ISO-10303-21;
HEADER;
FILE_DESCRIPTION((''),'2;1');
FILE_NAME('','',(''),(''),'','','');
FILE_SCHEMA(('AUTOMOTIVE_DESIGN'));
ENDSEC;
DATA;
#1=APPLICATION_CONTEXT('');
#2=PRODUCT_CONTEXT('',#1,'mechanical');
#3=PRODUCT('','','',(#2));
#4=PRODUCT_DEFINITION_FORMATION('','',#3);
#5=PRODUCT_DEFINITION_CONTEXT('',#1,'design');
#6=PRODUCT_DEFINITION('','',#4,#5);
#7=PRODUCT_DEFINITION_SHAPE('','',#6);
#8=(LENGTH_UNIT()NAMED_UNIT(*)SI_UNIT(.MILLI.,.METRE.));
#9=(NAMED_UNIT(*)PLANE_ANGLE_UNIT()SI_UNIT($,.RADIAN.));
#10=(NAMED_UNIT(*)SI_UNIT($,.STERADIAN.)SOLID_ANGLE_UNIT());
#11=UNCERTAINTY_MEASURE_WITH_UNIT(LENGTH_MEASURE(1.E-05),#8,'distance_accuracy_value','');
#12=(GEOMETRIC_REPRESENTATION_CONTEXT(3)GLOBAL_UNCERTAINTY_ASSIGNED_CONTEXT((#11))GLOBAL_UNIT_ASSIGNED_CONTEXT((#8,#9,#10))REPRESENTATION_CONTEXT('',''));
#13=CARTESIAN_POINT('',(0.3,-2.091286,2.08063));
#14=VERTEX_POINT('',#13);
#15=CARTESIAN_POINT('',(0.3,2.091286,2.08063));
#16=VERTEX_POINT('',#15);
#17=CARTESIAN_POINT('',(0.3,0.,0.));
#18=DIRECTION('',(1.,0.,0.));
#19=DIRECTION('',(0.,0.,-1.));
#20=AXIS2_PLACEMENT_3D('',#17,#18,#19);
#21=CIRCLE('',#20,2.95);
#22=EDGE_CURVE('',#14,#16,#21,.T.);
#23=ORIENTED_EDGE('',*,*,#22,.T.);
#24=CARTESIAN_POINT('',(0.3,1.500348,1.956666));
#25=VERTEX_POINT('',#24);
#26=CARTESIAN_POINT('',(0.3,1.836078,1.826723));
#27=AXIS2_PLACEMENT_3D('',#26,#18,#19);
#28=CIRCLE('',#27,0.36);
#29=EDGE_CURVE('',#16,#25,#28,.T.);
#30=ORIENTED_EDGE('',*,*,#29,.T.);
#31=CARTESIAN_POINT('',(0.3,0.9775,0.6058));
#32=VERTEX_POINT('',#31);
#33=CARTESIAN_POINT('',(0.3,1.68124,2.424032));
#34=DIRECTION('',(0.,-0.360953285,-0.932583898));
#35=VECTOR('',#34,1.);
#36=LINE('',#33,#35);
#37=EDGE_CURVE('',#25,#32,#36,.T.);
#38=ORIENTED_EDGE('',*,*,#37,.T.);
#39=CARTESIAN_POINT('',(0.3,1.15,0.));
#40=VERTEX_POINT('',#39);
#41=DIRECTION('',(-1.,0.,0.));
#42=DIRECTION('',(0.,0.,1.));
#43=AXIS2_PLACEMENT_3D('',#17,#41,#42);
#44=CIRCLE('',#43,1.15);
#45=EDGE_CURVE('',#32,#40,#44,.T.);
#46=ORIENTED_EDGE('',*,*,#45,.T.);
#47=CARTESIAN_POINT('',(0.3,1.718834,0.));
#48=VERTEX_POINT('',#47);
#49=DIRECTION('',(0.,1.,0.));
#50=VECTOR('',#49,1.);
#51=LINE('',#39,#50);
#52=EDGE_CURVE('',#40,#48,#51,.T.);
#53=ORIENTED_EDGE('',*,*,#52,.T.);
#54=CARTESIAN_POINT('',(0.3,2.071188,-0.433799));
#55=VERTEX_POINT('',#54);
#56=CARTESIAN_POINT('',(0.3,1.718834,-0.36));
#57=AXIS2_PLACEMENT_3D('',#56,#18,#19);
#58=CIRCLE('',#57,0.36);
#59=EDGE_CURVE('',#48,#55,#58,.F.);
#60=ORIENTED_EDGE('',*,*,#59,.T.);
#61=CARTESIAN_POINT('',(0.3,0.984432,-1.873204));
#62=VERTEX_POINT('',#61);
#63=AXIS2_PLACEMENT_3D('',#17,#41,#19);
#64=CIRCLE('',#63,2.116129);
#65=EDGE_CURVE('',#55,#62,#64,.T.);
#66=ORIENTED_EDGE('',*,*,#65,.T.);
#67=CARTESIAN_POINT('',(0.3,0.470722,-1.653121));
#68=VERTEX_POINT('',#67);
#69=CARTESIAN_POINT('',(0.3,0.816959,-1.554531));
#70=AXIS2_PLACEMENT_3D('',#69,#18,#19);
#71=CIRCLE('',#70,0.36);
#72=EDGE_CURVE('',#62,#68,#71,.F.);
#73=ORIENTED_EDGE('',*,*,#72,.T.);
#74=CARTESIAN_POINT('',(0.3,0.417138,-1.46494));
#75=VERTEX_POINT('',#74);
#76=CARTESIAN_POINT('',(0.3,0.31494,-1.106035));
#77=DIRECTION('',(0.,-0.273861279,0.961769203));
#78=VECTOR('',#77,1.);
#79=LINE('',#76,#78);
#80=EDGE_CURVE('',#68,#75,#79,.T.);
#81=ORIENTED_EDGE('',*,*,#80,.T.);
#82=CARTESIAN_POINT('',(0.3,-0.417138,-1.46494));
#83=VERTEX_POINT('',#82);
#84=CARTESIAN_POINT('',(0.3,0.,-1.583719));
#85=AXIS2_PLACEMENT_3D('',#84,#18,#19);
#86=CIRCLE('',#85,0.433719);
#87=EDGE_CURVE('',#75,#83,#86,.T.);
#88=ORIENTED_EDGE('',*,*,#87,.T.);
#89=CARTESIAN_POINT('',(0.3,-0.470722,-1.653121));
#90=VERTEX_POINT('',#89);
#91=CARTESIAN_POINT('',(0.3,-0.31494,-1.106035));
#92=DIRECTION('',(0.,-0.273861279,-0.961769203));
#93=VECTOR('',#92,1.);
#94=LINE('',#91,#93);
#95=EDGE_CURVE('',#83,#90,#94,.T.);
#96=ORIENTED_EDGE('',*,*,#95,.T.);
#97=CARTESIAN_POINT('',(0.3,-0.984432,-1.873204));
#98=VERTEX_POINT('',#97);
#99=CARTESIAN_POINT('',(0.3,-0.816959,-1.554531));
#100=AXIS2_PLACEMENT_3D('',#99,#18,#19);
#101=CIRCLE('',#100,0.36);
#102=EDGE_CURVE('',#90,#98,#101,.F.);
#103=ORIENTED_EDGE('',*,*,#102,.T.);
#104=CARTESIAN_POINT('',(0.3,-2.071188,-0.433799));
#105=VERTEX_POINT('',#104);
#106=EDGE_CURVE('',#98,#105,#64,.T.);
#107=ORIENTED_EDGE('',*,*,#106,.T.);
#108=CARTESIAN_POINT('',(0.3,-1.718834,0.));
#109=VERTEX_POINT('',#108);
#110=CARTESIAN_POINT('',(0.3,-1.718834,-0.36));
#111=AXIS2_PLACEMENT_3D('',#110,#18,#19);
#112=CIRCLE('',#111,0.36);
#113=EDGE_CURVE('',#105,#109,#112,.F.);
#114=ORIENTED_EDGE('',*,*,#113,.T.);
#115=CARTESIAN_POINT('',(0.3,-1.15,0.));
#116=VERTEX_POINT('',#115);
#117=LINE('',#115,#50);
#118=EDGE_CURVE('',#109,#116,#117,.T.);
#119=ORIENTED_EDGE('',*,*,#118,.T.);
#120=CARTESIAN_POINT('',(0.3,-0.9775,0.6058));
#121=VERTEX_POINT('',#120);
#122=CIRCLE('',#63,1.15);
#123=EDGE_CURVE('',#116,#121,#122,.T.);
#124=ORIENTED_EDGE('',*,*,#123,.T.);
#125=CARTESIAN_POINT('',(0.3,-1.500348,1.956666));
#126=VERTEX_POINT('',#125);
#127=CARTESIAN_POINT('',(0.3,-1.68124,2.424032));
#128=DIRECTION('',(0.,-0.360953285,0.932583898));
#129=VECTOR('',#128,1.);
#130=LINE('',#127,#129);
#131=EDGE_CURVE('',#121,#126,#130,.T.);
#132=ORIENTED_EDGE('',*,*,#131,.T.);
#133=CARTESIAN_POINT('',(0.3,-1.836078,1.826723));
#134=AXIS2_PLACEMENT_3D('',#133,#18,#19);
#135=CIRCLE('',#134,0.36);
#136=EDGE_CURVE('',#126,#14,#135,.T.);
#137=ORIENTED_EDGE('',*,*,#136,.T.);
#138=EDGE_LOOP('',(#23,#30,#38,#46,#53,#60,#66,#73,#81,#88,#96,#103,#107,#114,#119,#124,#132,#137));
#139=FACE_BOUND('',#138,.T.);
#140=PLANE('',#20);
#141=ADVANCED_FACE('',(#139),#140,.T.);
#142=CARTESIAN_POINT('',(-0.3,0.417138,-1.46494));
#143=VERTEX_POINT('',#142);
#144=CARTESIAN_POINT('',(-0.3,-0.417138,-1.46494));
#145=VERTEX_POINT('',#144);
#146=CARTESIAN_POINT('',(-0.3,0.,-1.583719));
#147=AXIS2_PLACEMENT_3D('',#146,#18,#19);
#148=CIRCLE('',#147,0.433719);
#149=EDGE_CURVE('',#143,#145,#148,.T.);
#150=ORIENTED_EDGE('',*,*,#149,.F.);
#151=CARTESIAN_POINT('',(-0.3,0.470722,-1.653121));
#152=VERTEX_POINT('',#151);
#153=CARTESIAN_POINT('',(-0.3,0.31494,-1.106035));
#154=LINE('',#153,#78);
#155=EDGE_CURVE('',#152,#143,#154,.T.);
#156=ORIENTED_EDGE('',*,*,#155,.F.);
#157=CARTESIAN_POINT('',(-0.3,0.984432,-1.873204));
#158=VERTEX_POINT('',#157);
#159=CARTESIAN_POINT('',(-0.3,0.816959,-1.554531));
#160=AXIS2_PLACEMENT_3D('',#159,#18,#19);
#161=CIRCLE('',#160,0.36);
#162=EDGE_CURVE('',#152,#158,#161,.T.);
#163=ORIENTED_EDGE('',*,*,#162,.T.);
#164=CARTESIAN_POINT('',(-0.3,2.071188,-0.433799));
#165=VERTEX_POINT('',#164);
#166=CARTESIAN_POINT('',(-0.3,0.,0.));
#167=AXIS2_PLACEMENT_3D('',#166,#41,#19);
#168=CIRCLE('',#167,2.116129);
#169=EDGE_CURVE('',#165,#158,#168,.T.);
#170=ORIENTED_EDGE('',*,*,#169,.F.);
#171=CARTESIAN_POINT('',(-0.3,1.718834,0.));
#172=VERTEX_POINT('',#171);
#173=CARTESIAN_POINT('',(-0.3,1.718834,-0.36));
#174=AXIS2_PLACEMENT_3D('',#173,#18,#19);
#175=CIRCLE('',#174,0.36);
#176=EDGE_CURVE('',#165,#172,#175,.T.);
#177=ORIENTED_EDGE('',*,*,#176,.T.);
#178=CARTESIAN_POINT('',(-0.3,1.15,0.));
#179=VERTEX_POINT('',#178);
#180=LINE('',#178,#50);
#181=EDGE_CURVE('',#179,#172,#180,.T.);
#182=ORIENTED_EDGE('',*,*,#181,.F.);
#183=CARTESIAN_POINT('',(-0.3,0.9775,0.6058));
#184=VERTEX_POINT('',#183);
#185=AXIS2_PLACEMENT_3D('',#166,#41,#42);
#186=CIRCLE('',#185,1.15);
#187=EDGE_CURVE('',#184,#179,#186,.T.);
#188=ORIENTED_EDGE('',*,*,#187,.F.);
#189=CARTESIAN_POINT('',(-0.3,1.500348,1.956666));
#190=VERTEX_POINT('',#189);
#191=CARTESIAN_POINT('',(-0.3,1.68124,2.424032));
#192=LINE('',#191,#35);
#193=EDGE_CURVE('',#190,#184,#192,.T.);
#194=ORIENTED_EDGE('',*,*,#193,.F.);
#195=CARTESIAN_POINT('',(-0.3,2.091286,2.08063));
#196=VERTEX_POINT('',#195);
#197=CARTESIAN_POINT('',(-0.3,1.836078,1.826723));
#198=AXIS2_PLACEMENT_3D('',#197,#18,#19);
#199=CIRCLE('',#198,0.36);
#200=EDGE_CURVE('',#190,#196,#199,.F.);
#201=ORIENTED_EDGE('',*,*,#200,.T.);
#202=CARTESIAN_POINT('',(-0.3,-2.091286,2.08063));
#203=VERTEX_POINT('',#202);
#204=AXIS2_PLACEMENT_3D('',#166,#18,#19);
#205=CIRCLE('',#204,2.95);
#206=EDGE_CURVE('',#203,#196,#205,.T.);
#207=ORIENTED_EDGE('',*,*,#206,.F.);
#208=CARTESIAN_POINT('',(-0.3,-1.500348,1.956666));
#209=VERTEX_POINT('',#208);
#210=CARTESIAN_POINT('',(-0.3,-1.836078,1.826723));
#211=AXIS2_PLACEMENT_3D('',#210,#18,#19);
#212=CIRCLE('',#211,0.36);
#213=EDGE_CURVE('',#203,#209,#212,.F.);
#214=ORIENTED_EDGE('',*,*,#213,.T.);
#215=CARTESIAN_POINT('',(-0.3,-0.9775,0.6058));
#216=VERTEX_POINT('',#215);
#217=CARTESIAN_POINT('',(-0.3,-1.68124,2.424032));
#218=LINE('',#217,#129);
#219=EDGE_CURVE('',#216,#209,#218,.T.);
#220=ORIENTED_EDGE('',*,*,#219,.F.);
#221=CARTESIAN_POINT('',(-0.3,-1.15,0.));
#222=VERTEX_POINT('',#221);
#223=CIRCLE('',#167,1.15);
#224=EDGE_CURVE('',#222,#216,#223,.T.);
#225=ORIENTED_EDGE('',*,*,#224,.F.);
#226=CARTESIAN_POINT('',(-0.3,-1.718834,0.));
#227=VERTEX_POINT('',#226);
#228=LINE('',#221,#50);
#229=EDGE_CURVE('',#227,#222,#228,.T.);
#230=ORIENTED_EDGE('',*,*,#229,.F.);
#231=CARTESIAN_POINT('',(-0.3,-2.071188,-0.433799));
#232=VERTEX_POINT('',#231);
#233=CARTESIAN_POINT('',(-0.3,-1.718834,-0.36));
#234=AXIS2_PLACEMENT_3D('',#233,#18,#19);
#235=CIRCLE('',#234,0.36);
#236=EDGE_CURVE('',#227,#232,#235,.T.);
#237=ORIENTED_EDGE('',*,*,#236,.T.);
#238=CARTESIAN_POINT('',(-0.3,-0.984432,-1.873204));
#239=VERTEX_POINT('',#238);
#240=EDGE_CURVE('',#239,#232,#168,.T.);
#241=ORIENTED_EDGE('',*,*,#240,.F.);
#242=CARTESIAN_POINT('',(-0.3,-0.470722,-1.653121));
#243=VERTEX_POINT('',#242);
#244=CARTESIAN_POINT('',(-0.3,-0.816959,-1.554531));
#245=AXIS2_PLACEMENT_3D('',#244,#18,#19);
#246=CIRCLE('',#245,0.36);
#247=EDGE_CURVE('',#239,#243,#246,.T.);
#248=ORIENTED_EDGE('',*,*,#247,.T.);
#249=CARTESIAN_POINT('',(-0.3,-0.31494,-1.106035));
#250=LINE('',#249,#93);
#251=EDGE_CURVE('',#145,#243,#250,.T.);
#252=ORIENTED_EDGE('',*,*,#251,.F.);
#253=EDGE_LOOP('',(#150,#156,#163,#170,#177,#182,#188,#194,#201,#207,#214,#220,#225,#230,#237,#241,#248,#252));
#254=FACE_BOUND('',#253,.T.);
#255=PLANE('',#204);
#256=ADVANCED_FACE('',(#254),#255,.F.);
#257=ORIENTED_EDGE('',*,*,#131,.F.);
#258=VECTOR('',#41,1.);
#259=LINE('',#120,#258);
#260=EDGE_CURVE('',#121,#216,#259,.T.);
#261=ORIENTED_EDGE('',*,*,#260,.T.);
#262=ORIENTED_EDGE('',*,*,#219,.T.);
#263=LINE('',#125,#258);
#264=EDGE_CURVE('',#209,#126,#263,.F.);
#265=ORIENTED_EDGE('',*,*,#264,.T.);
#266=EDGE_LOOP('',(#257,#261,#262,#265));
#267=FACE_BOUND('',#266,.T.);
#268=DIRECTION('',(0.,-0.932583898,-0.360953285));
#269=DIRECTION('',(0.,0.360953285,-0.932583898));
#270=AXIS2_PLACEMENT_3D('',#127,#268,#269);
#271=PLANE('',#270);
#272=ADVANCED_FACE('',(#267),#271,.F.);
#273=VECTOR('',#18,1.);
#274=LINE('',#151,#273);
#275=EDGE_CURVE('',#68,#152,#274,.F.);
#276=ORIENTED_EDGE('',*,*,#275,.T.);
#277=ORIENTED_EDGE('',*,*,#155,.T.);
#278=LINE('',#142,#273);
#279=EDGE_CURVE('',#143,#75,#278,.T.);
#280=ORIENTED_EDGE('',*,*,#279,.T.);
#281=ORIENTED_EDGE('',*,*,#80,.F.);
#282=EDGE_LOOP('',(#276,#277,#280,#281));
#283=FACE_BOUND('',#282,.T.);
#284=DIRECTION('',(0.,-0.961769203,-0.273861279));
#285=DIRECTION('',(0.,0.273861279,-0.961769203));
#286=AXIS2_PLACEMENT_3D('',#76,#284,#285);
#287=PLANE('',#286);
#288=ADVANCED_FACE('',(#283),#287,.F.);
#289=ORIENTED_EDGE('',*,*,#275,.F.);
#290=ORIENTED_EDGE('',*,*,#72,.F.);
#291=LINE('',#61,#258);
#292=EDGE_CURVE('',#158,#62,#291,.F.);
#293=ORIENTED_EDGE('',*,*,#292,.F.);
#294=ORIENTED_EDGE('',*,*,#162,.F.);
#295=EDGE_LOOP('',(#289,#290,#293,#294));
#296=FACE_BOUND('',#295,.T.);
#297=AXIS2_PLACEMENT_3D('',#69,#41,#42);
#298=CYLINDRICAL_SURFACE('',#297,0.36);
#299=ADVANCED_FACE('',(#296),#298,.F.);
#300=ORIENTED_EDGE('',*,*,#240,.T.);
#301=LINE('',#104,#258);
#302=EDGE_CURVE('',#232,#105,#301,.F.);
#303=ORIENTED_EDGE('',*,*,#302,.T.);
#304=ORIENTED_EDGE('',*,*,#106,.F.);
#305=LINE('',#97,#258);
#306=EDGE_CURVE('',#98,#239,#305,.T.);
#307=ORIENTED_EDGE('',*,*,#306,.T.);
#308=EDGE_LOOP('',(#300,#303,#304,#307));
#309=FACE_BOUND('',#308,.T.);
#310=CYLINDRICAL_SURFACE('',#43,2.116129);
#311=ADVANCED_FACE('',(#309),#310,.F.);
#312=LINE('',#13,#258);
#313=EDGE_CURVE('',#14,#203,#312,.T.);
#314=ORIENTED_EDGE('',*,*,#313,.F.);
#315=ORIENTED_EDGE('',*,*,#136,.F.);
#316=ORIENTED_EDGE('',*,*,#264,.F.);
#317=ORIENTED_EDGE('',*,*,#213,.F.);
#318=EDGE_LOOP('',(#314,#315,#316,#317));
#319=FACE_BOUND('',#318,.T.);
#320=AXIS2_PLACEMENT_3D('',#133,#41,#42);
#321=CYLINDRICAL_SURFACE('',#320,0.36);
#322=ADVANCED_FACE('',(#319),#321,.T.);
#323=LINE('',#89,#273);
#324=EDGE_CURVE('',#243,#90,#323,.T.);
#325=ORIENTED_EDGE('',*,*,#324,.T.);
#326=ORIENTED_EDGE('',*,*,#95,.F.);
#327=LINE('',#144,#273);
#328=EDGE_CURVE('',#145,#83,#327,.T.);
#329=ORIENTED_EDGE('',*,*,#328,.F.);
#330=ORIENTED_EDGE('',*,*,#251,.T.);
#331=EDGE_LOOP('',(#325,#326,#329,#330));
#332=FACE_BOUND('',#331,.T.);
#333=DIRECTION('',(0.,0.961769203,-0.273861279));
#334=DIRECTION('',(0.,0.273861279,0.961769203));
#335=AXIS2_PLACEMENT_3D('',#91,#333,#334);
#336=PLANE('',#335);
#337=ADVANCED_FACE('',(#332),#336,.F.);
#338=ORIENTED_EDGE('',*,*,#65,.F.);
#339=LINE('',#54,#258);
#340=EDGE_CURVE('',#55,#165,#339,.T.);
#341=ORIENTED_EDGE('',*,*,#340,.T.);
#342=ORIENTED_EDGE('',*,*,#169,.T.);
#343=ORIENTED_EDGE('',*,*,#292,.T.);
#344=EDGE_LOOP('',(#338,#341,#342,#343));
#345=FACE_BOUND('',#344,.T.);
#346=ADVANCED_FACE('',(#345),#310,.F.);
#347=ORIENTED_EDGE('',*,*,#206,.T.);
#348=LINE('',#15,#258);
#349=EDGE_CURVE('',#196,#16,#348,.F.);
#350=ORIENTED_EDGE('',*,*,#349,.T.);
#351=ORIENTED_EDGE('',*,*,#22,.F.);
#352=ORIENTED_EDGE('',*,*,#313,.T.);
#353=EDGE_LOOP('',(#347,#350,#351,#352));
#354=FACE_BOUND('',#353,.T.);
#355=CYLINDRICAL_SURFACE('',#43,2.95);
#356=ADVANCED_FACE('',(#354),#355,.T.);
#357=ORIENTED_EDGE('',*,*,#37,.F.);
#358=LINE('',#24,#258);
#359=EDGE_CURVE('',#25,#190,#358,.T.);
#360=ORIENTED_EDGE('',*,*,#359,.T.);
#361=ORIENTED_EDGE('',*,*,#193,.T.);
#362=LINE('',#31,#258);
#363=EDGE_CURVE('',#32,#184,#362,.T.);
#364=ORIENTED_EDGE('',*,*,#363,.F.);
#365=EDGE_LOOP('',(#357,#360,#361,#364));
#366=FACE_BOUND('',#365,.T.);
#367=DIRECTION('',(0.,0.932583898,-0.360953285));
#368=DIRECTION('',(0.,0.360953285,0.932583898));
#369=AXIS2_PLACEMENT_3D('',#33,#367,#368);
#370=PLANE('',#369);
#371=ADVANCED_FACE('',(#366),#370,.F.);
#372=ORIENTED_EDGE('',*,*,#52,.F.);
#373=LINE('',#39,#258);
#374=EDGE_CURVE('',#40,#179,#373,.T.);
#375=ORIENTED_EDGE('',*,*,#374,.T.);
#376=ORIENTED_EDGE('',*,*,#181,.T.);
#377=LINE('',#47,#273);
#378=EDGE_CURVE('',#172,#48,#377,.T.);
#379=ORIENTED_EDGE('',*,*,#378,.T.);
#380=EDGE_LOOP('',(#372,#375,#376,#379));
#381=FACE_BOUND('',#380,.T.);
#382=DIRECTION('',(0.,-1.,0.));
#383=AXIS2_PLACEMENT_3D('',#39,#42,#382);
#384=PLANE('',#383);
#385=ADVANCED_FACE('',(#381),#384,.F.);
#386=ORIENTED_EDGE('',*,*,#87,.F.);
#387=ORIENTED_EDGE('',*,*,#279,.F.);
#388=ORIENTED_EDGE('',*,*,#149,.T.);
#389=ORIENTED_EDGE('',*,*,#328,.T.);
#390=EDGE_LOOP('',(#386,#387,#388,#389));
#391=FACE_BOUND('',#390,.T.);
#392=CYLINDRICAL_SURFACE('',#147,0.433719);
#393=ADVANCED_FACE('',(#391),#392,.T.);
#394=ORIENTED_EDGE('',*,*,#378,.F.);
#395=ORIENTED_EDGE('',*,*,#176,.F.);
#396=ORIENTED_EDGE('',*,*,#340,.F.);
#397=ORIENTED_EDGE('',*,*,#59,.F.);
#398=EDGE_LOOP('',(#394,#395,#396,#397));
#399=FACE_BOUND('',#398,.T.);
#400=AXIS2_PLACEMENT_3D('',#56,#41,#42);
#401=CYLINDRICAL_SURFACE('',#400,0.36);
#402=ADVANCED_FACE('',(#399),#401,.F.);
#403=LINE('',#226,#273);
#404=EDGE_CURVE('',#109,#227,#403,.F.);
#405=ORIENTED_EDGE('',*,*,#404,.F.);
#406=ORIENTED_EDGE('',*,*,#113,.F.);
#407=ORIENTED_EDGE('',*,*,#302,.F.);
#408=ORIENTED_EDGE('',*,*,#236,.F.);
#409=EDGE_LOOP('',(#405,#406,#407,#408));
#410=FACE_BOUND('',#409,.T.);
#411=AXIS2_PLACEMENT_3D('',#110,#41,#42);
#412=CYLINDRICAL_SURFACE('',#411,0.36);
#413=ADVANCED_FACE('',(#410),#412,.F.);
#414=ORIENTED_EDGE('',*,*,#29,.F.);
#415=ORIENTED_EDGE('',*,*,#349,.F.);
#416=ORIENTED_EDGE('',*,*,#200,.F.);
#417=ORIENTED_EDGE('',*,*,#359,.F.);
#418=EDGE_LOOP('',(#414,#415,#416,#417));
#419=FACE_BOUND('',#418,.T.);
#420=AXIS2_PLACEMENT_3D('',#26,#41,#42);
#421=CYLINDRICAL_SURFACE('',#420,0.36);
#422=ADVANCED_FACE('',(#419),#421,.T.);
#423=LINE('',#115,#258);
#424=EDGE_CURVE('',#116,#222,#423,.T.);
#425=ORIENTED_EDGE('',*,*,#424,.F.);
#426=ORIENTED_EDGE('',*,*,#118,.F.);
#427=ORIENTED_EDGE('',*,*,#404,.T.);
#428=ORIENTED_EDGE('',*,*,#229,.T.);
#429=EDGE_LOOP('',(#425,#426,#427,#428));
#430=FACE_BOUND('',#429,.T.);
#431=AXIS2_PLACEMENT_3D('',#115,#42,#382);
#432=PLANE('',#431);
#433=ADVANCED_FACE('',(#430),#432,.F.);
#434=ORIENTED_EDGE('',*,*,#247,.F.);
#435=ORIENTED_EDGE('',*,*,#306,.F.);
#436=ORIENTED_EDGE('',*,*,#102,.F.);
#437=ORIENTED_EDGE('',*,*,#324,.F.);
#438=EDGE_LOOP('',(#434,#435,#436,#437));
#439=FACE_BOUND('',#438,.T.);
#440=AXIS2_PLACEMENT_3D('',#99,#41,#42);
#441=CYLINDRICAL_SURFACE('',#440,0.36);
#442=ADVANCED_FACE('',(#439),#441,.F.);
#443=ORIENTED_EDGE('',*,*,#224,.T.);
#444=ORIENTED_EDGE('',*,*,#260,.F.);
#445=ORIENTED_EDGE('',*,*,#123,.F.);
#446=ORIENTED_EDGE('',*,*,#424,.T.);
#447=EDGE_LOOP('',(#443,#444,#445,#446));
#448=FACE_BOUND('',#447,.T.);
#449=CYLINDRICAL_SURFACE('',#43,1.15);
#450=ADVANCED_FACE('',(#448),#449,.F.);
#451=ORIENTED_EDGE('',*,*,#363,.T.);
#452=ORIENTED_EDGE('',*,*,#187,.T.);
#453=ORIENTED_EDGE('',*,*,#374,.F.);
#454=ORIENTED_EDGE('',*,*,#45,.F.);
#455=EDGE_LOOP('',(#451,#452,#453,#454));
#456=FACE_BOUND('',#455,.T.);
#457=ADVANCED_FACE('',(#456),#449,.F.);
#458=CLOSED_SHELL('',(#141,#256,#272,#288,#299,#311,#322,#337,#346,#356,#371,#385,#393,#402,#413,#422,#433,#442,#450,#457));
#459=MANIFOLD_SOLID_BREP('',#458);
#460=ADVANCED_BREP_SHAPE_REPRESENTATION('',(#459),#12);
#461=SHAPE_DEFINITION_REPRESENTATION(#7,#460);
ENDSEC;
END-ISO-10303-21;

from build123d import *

# Parameters (mm, degrees)
EXTRUDE1_DEPTH          = 0.3
FILLET1_R               = 0.36
CUT_EXTRUDE1_DEPTH      = 1.3
CUT_EXTRUDE1_DEPTH_BACK = 1.3


with BuildPart() as part:
    # Sketch1 → Extrude1 (new body, symmetric)
    with BuildSketch(Plane(origin=(0, 0, 0), x_dir=(0, 0, -1), z_dir=(1, 0, 0))):
        with BuildLine():
            Line((-2.42403204, -1.681240217), (-0.605800091, -0.9775))
            ThreePointArc((-0.605800091, -0.9775), (-0.314940471, -1.106034584), (0, -1.15))
            Line((0, -1.15), (0, -2.116129032))
            ThreePointArc((0, -2.116129032), (1.275078567, -1.68883887), (2.035227733, -0.579525803))
            Line((2.035227733, -0.579525803), (1.106034584, -0.314940471))
            ThreePointArc((1.106034584, -0.314940471), (1.15, 0), (1.106034584, 0.314940471))
            Line((1.106034584, 0.314940471), (2.035227733, 0.579525803))
            ThreePointArc((2.035227733, 0.579525803), (1.275078567, 1.68883887), (0, 2.116129032))
            Line((0, 2.116129032), (0, 1.15))
            ThreePointArc((0, 1.15), (-0.314940471, 1.106034584), (-0.605800091, 0.9775))
            Line((-0.605800091, 0.9775), (-2.42403204, 1.681240217))
            ThreePointArc((-2.42403204, 1.681240217), (2.95, 0), (-2.42403204, -1.681240217))
        make_face()
    extrude(amount=EXTRUDE1_DEPTH, both=True)

    # Fillet1
    fillet1_edges = [part.edges().sort_by_distance(p)[0] for p in [
        (0, -1.681240217, 2.42403204),
        (0, -2.116129032, 0),
        (0, -0.579525803, -2.035227733),
        (0, 0.579525803, -2.035227733),
        (0, 2.116129032, 0),
        (0, 1.681240217, 2.42403204),
    ]]
    fillet(fillet1_edges, radius=FILLET1_R)

    # Sketch4 → Cut-Extrude1 (cut, two sides)
    with BuildSketch(Plane(origin=(0, 0, 0), x_dir=(0, 0, -1), z_dir=(1, 0, 0))) as cut_extrude1_sk:
        with BuildLine():
            ThreePointArc((1.106034584, 0.314940471), (1.138955612, 0.158997215), (1.15, 0))
            ThreePointArc((1.15, 0), (1.237576911, 0.26133867), (1.464940471, 0.417137988))
            Line((1.464940471, 0.417137988), (1.106034584, 0.314940471))
        make_face()
        with BuildLine():
            ThreePointArc((1.15, 0), (1.138955612, -0.158997215), (1.106034584, -0.314940471))
            Line((1.106034584, -0.314940471), (1.464940471, -0.417137988))
            ThreePointArc((1.464940471, -0.417137988), (1.237576911, -0.26133867), (1.15, 0))
        make_face()
    extrude(amount=CUT_EXTRUDE1_DEPTH, mode=Mode.SUBTRACT)
    extrude(cut_extrude1_sk.sketch, amount=-CUT_EXTRUDE1_DEPTH_BACK, mode=Mode.SUBTRACT)


solid = part.part
